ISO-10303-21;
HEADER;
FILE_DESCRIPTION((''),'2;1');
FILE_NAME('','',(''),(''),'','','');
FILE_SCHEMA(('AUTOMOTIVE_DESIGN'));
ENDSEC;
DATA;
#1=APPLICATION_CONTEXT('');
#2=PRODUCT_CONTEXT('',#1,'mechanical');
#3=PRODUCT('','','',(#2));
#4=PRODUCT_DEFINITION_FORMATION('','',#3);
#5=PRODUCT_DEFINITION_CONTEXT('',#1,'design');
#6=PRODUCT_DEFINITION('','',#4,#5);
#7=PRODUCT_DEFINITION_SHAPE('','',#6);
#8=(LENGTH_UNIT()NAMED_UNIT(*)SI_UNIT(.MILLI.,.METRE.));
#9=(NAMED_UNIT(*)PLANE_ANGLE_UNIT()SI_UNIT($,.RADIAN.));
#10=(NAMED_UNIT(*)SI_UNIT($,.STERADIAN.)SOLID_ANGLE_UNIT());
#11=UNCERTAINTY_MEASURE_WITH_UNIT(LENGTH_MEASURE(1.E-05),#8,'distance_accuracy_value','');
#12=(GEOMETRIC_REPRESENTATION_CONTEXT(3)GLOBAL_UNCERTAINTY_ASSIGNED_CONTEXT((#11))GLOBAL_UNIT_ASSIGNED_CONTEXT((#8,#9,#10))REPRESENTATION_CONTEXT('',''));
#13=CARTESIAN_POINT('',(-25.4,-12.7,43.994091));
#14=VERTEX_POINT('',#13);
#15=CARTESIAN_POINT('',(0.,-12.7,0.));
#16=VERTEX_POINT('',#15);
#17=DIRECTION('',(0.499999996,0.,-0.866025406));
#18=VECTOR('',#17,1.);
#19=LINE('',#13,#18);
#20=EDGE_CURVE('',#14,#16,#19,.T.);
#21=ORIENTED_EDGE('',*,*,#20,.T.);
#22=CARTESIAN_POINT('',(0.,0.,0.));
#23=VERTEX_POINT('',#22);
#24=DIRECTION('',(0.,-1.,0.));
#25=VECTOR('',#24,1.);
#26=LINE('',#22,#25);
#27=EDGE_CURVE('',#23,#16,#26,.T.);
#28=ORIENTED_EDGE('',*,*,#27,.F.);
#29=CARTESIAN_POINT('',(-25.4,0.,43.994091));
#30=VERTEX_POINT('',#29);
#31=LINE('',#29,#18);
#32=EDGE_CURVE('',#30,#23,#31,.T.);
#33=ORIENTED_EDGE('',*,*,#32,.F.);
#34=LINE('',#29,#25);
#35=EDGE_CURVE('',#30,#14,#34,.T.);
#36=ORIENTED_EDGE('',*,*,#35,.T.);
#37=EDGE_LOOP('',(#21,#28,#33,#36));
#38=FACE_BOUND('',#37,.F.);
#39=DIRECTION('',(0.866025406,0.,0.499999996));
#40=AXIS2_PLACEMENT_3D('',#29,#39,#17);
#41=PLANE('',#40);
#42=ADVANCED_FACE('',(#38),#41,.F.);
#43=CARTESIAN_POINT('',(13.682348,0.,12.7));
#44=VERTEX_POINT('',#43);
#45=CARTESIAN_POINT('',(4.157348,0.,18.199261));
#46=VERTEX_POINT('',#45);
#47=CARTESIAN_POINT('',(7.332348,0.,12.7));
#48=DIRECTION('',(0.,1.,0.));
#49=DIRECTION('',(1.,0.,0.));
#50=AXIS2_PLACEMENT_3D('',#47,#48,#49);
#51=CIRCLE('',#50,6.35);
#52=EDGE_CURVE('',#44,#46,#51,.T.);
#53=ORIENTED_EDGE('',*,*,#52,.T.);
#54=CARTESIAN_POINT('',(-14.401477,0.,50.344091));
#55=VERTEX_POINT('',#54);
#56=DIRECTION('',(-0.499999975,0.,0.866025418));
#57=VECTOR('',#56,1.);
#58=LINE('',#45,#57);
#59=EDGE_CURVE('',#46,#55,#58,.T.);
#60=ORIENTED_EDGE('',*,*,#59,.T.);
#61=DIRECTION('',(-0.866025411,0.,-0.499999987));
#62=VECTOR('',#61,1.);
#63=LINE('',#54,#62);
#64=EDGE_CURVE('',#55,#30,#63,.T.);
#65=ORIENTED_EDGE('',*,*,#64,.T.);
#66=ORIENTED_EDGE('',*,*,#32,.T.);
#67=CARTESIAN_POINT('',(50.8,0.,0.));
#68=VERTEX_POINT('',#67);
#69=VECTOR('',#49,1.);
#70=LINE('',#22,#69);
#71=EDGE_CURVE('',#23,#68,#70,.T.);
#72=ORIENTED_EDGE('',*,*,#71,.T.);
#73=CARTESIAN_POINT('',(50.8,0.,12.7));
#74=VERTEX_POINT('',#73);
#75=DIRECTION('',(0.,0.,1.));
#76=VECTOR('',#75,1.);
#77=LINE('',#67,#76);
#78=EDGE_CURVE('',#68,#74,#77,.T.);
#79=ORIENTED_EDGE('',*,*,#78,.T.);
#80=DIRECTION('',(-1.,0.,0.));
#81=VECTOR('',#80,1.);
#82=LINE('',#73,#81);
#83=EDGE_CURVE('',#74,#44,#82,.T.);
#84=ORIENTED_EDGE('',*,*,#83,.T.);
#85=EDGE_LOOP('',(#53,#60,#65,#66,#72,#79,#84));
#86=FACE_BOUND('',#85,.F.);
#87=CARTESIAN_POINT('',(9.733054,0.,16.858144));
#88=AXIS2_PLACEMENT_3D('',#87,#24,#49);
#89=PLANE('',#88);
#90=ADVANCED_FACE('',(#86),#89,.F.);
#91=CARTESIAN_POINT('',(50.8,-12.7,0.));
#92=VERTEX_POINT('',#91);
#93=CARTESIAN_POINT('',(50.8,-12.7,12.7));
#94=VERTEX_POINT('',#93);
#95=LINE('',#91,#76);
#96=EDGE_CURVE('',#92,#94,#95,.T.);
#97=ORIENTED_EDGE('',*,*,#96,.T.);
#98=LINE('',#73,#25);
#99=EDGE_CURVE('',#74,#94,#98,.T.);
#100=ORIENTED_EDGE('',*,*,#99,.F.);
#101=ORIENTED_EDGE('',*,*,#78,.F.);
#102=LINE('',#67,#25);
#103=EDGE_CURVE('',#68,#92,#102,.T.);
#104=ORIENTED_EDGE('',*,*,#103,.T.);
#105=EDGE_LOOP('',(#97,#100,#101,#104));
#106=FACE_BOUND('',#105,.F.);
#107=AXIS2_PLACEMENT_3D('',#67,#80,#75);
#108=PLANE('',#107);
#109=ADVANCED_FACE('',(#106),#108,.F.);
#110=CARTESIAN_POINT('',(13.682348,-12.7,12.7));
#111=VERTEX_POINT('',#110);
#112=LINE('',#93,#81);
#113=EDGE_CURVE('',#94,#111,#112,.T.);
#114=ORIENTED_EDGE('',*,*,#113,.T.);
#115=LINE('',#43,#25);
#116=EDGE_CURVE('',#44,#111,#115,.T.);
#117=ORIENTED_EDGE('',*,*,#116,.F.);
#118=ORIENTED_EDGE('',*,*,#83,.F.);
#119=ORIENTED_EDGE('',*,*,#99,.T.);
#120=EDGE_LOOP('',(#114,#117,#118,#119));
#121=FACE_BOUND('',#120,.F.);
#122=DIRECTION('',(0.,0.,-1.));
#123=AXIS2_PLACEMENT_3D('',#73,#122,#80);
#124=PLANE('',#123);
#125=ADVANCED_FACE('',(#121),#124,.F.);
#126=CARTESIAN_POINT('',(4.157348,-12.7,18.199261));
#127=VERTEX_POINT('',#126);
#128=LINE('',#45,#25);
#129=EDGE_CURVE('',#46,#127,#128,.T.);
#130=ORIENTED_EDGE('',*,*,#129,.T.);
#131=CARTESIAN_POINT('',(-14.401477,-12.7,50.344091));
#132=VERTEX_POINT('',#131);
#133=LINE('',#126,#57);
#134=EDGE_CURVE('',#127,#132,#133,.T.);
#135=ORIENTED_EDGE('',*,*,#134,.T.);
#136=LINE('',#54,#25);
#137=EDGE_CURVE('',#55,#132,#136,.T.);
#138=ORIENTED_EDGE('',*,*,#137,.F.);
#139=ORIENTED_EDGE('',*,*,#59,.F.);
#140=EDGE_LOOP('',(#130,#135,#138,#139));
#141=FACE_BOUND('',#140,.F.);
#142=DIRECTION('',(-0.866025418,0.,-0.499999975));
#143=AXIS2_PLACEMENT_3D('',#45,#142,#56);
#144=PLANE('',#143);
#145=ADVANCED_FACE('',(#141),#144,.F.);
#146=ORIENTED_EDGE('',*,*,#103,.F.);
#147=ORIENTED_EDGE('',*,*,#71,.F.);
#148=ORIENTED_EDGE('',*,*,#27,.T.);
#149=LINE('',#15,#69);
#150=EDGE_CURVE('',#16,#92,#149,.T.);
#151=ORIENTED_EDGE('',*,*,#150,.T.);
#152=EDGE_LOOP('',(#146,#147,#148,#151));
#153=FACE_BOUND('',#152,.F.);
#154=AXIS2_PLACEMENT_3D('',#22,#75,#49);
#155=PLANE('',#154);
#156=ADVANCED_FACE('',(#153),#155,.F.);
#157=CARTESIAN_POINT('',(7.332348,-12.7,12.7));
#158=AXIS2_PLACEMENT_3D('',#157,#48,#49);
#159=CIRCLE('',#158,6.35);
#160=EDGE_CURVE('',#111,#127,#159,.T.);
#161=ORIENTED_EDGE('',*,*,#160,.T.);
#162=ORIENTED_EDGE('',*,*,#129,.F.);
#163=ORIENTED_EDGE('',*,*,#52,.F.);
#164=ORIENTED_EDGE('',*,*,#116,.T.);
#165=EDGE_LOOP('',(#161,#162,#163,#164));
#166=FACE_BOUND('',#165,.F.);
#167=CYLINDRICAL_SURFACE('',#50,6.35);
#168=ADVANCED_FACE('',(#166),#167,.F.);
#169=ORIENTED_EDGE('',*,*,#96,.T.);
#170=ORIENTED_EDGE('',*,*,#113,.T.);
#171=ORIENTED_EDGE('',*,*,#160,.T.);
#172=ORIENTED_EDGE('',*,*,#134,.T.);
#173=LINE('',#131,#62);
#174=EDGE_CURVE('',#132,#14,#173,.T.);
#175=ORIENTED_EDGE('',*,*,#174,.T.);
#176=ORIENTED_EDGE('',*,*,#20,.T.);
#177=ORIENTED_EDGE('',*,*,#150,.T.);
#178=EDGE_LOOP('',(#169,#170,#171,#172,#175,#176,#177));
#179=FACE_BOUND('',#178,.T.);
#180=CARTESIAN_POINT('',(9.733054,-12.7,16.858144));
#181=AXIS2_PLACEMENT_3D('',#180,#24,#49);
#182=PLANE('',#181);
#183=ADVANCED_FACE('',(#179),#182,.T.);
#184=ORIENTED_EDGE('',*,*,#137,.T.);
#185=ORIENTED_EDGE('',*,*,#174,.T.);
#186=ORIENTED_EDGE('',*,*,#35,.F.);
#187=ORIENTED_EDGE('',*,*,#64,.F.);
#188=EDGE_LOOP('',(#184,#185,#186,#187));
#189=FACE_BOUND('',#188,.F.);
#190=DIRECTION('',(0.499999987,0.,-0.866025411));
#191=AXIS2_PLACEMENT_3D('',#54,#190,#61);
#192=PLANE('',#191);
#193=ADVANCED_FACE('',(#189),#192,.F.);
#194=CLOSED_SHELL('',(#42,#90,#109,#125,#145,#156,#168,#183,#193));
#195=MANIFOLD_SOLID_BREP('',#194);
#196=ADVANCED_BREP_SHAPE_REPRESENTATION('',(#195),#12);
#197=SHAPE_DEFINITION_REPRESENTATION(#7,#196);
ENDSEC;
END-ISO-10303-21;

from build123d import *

# Parameters (mm, degrees)
F1_DEPTH = 12.7


with BuildPart() as f1:
    # F0 (on Front) → F1 (new body)
    with BuildSketch(Plane.XZ):
        with BuildLine():
            Line((-25.4, 43.994091), (0, 0))
            Line((0, 0), (50.8, 0))
            Line((50.8, 0), (50.8, 12.7))
            Line((50.8, 12.7), (13.682348, 12.7))
            ThreePointArc((13.682348, 12.7), (4.157348, 7.200739), (4.157348, 18.199261))
            Line((4.157348, 18.199261), (-14.401477, 50.344091))
            Line((-14.401477, 50.344091), (-25.4, 43.994091))
        make_face()
    extrude(amount=F1_DEPTH)


solid = f1.part
